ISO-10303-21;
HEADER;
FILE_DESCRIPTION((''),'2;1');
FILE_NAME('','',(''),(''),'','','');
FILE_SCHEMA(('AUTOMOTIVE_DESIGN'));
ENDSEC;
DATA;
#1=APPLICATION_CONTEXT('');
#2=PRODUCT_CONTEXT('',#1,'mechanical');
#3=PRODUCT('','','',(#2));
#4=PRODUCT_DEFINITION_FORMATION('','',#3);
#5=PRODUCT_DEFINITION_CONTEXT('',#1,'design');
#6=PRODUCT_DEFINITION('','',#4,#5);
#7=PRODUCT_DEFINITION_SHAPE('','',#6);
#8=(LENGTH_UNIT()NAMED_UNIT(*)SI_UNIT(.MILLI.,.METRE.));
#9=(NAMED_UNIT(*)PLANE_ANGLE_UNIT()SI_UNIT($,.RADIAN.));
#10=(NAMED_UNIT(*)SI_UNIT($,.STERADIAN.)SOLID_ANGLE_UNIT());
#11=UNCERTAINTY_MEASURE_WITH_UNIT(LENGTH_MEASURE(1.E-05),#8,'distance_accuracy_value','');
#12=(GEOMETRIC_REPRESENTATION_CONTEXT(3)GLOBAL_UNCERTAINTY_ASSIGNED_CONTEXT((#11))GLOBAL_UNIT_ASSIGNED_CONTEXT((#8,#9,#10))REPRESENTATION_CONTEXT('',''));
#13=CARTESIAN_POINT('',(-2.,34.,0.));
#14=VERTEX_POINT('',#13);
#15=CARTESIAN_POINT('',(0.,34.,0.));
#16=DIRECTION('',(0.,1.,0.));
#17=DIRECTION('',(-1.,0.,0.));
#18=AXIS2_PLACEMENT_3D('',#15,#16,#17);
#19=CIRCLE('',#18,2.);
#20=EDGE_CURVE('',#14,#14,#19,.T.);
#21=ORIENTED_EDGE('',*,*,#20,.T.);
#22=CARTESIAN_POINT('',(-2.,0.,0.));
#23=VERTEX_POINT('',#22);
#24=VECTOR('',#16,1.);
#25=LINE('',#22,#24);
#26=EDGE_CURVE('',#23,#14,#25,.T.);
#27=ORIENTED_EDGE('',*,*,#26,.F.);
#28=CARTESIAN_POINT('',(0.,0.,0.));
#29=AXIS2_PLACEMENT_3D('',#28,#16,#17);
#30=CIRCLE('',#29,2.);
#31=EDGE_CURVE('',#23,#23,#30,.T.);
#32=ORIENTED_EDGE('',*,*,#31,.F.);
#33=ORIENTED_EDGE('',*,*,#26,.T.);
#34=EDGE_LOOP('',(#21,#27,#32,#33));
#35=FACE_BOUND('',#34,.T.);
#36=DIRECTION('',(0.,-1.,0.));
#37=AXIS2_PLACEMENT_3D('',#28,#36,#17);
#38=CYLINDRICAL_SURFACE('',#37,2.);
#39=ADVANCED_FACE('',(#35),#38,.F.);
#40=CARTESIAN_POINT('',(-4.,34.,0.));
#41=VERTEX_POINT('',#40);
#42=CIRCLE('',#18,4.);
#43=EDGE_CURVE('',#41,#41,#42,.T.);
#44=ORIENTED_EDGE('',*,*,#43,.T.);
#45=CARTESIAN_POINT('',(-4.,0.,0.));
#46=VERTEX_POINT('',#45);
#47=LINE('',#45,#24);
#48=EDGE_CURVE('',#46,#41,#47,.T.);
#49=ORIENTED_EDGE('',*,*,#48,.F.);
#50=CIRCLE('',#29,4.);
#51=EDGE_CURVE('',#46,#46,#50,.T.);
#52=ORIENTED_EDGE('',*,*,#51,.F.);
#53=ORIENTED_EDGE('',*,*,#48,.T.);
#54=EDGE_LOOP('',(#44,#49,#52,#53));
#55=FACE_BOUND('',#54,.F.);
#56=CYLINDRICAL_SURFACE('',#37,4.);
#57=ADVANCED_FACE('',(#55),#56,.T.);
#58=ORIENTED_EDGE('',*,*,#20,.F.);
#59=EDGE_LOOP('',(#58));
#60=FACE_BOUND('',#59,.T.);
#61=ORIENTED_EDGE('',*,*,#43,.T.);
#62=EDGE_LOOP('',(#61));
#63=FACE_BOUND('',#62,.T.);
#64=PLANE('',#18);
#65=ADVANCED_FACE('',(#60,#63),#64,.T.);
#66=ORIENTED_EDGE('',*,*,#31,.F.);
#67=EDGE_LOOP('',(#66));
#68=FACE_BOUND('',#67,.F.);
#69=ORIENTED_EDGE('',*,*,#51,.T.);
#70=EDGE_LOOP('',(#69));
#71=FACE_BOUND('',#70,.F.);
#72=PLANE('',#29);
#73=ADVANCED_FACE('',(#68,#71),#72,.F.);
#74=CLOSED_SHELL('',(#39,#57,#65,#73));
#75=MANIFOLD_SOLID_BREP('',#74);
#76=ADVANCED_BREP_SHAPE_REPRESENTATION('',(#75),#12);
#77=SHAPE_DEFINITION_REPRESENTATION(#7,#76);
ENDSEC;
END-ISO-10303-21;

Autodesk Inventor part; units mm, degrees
ref_plane "YZ Plane" through (0, 0, 0) normal (1, 0, 0) x (0, 1, 0)
ref_plane "XZ Plane" through (0, 0, 0) normal (0, 1, 0) x (-1, 0, 0)
ref_plane "XY Plane" through (0, 0, 0) normal (0, 0, 1) x (1, 0, 0)
sketch "Sketch1" plane through (0, 0, 0) normal (0, 1, 0) x (-1, 0, 0)
  circle A0 centre (0, 0) radius 4
  circle A1 centre (0, 0) radius 2
  dimension "d0" = 8
  dimension "d1" = 4
extrude "Extrusion1" add sketch "Sketch1" along normal blind 34
properties part number "Bushing"
